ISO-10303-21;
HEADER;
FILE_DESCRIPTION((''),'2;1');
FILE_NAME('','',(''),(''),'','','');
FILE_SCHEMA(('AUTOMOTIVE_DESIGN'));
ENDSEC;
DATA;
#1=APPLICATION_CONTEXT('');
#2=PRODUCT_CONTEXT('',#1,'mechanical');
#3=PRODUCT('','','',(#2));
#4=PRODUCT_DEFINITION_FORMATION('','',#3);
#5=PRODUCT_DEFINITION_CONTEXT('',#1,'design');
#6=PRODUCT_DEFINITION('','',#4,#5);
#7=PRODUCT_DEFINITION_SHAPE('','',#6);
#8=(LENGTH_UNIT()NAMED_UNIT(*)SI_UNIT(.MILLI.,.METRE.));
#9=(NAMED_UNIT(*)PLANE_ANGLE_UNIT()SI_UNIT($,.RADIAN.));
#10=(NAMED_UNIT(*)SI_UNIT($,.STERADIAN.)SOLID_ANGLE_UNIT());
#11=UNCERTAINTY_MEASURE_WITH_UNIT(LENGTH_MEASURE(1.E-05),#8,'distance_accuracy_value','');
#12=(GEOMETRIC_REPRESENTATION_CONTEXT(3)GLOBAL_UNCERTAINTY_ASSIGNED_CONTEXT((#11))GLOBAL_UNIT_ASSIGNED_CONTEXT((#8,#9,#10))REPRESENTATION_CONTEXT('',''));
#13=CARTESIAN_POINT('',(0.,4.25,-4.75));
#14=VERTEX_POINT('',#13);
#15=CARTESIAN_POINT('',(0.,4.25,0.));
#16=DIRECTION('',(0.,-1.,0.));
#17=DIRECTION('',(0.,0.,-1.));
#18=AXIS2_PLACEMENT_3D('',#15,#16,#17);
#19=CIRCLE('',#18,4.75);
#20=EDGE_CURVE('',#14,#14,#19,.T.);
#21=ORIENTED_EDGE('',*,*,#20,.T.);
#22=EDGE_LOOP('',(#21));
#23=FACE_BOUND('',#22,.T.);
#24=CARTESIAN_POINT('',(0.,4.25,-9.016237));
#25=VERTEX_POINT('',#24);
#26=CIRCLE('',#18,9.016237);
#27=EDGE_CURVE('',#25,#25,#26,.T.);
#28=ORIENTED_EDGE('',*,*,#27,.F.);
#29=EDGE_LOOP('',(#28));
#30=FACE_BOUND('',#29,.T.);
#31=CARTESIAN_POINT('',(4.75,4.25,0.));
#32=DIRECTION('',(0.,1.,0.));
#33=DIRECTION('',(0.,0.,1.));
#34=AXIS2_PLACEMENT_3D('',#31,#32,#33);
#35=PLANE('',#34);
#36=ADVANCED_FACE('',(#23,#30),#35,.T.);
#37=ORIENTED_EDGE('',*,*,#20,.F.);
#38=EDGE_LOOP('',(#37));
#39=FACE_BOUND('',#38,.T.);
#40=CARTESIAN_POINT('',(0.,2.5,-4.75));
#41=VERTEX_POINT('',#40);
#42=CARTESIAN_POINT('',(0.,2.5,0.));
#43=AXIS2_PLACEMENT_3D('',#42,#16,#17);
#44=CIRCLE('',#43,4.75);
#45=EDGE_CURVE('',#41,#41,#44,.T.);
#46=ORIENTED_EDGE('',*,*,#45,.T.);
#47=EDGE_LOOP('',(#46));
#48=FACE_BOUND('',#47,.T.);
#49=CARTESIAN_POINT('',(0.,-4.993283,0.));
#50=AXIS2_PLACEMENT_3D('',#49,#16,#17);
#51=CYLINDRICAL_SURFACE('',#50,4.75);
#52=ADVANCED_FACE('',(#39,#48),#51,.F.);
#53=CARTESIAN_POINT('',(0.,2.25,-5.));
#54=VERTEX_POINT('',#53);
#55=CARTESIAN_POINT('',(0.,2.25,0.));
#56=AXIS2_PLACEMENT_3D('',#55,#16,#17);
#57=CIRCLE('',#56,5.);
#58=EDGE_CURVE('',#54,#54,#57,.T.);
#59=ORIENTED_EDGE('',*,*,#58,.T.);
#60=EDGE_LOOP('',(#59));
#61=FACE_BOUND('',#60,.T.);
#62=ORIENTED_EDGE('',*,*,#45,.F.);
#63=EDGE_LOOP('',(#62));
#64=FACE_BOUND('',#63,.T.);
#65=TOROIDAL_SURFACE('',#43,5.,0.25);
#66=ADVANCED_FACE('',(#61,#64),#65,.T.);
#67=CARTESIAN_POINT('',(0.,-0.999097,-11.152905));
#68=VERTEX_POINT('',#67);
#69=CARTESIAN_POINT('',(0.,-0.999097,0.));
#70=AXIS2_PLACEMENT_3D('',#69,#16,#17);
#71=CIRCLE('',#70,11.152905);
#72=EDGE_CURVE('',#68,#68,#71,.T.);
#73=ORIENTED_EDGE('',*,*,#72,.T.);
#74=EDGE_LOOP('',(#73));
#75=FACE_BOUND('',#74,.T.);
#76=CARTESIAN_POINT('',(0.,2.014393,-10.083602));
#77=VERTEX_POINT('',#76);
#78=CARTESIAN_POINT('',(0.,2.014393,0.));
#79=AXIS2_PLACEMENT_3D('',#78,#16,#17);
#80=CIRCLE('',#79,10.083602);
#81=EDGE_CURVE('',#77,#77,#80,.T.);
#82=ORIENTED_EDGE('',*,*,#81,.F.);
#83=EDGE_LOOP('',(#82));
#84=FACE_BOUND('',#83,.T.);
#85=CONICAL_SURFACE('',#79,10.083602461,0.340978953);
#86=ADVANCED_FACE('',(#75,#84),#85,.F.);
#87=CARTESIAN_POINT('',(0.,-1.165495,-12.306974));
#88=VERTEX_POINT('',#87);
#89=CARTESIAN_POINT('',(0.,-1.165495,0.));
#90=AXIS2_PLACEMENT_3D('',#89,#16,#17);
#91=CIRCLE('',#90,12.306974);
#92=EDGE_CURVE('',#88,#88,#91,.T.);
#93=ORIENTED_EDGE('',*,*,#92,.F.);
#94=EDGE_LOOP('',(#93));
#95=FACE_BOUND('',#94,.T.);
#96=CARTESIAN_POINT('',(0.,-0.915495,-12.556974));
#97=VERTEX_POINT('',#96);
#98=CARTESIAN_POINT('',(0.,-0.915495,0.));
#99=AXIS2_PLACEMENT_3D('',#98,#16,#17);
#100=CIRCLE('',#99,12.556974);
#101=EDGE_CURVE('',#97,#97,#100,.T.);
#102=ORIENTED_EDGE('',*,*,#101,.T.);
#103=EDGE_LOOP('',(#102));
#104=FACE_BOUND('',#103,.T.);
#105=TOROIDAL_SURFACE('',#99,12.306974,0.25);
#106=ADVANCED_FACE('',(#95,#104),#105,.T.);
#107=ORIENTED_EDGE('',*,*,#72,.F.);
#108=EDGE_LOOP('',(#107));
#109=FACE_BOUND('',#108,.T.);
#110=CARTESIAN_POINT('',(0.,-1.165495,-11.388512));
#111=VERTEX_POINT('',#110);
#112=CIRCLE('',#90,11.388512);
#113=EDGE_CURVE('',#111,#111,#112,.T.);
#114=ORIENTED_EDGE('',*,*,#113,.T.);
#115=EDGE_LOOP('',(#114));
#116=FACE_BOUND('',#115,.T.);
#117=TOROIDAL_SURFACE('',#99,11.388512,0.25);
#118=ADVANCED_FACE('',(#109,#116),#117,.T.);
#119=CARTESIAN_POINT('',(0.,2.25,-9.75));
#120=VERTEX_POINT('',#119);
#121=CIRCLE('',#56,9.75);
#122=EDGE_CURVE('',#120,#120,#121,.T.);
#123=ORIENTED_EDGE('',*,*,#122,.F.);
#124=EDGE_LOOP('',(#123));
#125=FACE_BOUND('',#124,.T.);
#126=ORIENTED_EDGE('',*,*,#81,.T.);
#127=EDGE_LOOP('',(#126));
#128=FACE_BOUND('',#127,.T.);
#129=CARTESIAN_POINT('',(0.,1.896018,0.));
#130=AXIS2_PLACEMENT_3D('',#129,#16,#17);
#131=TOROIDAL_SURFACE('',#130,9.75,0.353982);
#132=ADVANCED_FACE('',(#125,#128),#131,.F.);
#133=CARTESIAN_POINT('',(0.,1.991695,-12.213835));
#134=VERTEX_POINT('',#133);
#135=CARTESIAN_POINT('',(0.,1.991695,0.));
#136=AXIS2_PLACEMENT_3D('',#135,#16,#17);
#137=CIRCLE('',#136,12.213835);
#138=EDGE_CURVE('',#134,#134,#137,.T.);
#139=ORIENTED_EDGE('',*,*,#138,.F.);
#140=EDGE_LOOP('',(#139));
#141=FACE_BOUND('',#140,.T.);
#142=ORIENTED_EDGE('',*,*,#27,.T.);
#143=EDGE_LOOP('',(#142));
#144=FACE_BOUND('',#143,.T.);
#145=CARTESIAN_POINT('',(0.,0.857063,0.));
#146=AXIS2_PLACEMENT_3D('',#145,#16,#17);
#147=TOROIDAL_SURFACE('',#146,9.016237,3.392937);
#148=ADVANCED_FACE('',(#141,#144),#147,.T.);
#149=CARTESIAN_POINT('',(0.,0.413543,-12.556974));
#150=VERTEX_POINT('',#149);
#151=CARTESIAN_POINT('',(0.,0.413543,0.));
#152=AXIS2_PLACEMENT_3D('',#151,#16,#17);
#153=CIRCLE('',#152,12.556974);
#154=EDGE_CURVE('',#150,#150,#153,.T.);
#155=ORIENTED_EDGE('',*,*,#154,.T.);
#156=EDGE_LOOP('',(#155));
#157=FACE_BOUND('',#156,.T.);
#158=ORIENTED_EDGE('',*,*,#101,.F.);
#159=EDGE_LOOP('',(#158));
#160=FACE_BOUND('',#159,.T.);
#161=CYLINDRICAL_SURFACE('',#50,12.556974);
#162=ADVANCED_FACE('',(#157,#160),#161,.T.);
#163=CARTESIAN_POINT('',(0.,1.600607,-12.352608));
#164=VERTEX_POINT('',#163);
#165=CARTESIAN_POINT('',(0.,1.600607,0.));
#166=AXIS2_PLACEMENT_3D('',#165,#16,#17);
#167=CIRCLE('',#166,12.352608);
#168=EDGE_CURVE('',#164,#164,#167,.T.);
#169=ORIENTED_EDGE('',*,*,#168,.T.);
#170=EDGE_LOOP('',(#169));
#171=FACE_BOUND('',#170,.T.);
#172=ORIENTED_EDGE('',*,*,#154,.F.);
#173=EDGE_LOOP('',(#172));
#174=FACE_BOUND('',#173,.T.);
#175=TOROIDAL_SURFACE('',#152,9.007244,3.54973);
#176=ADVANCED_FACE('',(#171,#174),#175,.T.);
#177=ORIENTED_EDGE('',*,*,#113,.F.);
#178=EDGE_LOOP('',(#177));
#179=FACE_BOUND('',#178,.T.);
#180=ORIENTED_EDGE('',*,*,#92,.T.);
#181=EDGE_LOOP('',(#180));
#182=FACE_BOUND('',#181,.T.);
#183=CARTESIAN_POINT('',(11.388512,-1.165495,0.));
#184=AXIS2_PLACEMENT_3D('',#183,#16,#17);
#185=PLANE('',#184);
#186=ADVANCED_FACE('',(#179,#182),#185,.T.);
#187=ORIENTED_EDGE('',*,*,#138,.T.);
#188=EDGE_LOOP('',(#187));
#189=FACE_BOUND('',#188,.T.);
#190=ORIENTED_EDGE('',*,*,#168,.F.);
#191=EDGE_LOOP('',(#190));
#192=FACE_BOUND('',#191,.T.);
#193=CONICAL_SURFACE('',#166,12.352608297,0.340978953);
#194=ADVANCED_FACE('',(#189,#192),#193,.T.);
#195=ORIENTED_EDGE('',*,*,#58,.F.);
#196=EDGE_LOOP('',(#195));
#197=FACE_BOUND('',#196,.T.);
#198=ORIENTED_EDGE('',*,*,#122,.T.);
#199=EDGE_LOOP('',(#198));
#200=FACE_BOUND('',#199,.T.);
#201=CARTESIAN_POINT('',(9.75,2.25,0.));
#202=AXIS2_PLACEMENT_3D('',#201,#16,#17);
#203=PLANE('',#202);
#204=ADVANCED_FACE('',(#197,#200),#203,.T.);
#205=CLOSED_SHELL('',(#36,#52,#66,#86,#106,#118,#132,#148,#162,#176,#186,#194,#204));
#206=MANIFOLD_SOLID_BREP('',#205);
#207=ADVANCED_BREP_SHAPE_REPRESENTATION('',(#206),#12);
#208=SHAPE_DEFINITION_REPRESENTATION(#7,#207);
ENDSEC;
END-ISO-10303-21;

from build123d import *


with BuildPart() as part:
    # Sketch1 → Revolve1 (revolve)
    with BuildSketch(Plane.XY):
        with BuildLine():
            Line((4.75, 4.25), (9.016237468, 4.25))
            ThreePointArc((9.016237468, 4.25), (10.973568282, 3.628502604), (12.213835367, 1.991694585))
            Line((12.213835367, 1.991694585), (12.352608297, 1.600607236))
            ThreePointArc((12.352608297, 1.600607236), (12.505509699, 1.015806617), (12.55697426, 0.413542553))
            Line((12.55697426, 0.413542553), (12.55697426, -0.91549471))
            ThreePointArc((12.55697426, -0.91549471), (12.483750956, -1.092271405), (12.30697426, -1.16549471))
            Line((12.30697426, -1.16549471), (11.388512384, -1.16549471))
            ThreePointArc((11.388512384, -1.16549471), (11.2442914, -1.119701242), (11.152905448, -0.999097171))
            Line((11.152905448, -0.999097171), (10.083602461, 2.014393064))
            ThreePointArc((10.083602461, 2.014393064), (9.954206532, 2.185159746), (9.75, 2.25))
            Line((9.75, 2.25), (5, 2.25))
            ThreePointArc((5, 2.25), (4.823223305, 2.323223305), (4.75, 2.5))
            Line((4.75, 2.5), (4.75, 4.25))
        make_face()
    revolve(axis=Axis((0, -4.993282938, 0), (0, 1, 0)))


solid = part.part
